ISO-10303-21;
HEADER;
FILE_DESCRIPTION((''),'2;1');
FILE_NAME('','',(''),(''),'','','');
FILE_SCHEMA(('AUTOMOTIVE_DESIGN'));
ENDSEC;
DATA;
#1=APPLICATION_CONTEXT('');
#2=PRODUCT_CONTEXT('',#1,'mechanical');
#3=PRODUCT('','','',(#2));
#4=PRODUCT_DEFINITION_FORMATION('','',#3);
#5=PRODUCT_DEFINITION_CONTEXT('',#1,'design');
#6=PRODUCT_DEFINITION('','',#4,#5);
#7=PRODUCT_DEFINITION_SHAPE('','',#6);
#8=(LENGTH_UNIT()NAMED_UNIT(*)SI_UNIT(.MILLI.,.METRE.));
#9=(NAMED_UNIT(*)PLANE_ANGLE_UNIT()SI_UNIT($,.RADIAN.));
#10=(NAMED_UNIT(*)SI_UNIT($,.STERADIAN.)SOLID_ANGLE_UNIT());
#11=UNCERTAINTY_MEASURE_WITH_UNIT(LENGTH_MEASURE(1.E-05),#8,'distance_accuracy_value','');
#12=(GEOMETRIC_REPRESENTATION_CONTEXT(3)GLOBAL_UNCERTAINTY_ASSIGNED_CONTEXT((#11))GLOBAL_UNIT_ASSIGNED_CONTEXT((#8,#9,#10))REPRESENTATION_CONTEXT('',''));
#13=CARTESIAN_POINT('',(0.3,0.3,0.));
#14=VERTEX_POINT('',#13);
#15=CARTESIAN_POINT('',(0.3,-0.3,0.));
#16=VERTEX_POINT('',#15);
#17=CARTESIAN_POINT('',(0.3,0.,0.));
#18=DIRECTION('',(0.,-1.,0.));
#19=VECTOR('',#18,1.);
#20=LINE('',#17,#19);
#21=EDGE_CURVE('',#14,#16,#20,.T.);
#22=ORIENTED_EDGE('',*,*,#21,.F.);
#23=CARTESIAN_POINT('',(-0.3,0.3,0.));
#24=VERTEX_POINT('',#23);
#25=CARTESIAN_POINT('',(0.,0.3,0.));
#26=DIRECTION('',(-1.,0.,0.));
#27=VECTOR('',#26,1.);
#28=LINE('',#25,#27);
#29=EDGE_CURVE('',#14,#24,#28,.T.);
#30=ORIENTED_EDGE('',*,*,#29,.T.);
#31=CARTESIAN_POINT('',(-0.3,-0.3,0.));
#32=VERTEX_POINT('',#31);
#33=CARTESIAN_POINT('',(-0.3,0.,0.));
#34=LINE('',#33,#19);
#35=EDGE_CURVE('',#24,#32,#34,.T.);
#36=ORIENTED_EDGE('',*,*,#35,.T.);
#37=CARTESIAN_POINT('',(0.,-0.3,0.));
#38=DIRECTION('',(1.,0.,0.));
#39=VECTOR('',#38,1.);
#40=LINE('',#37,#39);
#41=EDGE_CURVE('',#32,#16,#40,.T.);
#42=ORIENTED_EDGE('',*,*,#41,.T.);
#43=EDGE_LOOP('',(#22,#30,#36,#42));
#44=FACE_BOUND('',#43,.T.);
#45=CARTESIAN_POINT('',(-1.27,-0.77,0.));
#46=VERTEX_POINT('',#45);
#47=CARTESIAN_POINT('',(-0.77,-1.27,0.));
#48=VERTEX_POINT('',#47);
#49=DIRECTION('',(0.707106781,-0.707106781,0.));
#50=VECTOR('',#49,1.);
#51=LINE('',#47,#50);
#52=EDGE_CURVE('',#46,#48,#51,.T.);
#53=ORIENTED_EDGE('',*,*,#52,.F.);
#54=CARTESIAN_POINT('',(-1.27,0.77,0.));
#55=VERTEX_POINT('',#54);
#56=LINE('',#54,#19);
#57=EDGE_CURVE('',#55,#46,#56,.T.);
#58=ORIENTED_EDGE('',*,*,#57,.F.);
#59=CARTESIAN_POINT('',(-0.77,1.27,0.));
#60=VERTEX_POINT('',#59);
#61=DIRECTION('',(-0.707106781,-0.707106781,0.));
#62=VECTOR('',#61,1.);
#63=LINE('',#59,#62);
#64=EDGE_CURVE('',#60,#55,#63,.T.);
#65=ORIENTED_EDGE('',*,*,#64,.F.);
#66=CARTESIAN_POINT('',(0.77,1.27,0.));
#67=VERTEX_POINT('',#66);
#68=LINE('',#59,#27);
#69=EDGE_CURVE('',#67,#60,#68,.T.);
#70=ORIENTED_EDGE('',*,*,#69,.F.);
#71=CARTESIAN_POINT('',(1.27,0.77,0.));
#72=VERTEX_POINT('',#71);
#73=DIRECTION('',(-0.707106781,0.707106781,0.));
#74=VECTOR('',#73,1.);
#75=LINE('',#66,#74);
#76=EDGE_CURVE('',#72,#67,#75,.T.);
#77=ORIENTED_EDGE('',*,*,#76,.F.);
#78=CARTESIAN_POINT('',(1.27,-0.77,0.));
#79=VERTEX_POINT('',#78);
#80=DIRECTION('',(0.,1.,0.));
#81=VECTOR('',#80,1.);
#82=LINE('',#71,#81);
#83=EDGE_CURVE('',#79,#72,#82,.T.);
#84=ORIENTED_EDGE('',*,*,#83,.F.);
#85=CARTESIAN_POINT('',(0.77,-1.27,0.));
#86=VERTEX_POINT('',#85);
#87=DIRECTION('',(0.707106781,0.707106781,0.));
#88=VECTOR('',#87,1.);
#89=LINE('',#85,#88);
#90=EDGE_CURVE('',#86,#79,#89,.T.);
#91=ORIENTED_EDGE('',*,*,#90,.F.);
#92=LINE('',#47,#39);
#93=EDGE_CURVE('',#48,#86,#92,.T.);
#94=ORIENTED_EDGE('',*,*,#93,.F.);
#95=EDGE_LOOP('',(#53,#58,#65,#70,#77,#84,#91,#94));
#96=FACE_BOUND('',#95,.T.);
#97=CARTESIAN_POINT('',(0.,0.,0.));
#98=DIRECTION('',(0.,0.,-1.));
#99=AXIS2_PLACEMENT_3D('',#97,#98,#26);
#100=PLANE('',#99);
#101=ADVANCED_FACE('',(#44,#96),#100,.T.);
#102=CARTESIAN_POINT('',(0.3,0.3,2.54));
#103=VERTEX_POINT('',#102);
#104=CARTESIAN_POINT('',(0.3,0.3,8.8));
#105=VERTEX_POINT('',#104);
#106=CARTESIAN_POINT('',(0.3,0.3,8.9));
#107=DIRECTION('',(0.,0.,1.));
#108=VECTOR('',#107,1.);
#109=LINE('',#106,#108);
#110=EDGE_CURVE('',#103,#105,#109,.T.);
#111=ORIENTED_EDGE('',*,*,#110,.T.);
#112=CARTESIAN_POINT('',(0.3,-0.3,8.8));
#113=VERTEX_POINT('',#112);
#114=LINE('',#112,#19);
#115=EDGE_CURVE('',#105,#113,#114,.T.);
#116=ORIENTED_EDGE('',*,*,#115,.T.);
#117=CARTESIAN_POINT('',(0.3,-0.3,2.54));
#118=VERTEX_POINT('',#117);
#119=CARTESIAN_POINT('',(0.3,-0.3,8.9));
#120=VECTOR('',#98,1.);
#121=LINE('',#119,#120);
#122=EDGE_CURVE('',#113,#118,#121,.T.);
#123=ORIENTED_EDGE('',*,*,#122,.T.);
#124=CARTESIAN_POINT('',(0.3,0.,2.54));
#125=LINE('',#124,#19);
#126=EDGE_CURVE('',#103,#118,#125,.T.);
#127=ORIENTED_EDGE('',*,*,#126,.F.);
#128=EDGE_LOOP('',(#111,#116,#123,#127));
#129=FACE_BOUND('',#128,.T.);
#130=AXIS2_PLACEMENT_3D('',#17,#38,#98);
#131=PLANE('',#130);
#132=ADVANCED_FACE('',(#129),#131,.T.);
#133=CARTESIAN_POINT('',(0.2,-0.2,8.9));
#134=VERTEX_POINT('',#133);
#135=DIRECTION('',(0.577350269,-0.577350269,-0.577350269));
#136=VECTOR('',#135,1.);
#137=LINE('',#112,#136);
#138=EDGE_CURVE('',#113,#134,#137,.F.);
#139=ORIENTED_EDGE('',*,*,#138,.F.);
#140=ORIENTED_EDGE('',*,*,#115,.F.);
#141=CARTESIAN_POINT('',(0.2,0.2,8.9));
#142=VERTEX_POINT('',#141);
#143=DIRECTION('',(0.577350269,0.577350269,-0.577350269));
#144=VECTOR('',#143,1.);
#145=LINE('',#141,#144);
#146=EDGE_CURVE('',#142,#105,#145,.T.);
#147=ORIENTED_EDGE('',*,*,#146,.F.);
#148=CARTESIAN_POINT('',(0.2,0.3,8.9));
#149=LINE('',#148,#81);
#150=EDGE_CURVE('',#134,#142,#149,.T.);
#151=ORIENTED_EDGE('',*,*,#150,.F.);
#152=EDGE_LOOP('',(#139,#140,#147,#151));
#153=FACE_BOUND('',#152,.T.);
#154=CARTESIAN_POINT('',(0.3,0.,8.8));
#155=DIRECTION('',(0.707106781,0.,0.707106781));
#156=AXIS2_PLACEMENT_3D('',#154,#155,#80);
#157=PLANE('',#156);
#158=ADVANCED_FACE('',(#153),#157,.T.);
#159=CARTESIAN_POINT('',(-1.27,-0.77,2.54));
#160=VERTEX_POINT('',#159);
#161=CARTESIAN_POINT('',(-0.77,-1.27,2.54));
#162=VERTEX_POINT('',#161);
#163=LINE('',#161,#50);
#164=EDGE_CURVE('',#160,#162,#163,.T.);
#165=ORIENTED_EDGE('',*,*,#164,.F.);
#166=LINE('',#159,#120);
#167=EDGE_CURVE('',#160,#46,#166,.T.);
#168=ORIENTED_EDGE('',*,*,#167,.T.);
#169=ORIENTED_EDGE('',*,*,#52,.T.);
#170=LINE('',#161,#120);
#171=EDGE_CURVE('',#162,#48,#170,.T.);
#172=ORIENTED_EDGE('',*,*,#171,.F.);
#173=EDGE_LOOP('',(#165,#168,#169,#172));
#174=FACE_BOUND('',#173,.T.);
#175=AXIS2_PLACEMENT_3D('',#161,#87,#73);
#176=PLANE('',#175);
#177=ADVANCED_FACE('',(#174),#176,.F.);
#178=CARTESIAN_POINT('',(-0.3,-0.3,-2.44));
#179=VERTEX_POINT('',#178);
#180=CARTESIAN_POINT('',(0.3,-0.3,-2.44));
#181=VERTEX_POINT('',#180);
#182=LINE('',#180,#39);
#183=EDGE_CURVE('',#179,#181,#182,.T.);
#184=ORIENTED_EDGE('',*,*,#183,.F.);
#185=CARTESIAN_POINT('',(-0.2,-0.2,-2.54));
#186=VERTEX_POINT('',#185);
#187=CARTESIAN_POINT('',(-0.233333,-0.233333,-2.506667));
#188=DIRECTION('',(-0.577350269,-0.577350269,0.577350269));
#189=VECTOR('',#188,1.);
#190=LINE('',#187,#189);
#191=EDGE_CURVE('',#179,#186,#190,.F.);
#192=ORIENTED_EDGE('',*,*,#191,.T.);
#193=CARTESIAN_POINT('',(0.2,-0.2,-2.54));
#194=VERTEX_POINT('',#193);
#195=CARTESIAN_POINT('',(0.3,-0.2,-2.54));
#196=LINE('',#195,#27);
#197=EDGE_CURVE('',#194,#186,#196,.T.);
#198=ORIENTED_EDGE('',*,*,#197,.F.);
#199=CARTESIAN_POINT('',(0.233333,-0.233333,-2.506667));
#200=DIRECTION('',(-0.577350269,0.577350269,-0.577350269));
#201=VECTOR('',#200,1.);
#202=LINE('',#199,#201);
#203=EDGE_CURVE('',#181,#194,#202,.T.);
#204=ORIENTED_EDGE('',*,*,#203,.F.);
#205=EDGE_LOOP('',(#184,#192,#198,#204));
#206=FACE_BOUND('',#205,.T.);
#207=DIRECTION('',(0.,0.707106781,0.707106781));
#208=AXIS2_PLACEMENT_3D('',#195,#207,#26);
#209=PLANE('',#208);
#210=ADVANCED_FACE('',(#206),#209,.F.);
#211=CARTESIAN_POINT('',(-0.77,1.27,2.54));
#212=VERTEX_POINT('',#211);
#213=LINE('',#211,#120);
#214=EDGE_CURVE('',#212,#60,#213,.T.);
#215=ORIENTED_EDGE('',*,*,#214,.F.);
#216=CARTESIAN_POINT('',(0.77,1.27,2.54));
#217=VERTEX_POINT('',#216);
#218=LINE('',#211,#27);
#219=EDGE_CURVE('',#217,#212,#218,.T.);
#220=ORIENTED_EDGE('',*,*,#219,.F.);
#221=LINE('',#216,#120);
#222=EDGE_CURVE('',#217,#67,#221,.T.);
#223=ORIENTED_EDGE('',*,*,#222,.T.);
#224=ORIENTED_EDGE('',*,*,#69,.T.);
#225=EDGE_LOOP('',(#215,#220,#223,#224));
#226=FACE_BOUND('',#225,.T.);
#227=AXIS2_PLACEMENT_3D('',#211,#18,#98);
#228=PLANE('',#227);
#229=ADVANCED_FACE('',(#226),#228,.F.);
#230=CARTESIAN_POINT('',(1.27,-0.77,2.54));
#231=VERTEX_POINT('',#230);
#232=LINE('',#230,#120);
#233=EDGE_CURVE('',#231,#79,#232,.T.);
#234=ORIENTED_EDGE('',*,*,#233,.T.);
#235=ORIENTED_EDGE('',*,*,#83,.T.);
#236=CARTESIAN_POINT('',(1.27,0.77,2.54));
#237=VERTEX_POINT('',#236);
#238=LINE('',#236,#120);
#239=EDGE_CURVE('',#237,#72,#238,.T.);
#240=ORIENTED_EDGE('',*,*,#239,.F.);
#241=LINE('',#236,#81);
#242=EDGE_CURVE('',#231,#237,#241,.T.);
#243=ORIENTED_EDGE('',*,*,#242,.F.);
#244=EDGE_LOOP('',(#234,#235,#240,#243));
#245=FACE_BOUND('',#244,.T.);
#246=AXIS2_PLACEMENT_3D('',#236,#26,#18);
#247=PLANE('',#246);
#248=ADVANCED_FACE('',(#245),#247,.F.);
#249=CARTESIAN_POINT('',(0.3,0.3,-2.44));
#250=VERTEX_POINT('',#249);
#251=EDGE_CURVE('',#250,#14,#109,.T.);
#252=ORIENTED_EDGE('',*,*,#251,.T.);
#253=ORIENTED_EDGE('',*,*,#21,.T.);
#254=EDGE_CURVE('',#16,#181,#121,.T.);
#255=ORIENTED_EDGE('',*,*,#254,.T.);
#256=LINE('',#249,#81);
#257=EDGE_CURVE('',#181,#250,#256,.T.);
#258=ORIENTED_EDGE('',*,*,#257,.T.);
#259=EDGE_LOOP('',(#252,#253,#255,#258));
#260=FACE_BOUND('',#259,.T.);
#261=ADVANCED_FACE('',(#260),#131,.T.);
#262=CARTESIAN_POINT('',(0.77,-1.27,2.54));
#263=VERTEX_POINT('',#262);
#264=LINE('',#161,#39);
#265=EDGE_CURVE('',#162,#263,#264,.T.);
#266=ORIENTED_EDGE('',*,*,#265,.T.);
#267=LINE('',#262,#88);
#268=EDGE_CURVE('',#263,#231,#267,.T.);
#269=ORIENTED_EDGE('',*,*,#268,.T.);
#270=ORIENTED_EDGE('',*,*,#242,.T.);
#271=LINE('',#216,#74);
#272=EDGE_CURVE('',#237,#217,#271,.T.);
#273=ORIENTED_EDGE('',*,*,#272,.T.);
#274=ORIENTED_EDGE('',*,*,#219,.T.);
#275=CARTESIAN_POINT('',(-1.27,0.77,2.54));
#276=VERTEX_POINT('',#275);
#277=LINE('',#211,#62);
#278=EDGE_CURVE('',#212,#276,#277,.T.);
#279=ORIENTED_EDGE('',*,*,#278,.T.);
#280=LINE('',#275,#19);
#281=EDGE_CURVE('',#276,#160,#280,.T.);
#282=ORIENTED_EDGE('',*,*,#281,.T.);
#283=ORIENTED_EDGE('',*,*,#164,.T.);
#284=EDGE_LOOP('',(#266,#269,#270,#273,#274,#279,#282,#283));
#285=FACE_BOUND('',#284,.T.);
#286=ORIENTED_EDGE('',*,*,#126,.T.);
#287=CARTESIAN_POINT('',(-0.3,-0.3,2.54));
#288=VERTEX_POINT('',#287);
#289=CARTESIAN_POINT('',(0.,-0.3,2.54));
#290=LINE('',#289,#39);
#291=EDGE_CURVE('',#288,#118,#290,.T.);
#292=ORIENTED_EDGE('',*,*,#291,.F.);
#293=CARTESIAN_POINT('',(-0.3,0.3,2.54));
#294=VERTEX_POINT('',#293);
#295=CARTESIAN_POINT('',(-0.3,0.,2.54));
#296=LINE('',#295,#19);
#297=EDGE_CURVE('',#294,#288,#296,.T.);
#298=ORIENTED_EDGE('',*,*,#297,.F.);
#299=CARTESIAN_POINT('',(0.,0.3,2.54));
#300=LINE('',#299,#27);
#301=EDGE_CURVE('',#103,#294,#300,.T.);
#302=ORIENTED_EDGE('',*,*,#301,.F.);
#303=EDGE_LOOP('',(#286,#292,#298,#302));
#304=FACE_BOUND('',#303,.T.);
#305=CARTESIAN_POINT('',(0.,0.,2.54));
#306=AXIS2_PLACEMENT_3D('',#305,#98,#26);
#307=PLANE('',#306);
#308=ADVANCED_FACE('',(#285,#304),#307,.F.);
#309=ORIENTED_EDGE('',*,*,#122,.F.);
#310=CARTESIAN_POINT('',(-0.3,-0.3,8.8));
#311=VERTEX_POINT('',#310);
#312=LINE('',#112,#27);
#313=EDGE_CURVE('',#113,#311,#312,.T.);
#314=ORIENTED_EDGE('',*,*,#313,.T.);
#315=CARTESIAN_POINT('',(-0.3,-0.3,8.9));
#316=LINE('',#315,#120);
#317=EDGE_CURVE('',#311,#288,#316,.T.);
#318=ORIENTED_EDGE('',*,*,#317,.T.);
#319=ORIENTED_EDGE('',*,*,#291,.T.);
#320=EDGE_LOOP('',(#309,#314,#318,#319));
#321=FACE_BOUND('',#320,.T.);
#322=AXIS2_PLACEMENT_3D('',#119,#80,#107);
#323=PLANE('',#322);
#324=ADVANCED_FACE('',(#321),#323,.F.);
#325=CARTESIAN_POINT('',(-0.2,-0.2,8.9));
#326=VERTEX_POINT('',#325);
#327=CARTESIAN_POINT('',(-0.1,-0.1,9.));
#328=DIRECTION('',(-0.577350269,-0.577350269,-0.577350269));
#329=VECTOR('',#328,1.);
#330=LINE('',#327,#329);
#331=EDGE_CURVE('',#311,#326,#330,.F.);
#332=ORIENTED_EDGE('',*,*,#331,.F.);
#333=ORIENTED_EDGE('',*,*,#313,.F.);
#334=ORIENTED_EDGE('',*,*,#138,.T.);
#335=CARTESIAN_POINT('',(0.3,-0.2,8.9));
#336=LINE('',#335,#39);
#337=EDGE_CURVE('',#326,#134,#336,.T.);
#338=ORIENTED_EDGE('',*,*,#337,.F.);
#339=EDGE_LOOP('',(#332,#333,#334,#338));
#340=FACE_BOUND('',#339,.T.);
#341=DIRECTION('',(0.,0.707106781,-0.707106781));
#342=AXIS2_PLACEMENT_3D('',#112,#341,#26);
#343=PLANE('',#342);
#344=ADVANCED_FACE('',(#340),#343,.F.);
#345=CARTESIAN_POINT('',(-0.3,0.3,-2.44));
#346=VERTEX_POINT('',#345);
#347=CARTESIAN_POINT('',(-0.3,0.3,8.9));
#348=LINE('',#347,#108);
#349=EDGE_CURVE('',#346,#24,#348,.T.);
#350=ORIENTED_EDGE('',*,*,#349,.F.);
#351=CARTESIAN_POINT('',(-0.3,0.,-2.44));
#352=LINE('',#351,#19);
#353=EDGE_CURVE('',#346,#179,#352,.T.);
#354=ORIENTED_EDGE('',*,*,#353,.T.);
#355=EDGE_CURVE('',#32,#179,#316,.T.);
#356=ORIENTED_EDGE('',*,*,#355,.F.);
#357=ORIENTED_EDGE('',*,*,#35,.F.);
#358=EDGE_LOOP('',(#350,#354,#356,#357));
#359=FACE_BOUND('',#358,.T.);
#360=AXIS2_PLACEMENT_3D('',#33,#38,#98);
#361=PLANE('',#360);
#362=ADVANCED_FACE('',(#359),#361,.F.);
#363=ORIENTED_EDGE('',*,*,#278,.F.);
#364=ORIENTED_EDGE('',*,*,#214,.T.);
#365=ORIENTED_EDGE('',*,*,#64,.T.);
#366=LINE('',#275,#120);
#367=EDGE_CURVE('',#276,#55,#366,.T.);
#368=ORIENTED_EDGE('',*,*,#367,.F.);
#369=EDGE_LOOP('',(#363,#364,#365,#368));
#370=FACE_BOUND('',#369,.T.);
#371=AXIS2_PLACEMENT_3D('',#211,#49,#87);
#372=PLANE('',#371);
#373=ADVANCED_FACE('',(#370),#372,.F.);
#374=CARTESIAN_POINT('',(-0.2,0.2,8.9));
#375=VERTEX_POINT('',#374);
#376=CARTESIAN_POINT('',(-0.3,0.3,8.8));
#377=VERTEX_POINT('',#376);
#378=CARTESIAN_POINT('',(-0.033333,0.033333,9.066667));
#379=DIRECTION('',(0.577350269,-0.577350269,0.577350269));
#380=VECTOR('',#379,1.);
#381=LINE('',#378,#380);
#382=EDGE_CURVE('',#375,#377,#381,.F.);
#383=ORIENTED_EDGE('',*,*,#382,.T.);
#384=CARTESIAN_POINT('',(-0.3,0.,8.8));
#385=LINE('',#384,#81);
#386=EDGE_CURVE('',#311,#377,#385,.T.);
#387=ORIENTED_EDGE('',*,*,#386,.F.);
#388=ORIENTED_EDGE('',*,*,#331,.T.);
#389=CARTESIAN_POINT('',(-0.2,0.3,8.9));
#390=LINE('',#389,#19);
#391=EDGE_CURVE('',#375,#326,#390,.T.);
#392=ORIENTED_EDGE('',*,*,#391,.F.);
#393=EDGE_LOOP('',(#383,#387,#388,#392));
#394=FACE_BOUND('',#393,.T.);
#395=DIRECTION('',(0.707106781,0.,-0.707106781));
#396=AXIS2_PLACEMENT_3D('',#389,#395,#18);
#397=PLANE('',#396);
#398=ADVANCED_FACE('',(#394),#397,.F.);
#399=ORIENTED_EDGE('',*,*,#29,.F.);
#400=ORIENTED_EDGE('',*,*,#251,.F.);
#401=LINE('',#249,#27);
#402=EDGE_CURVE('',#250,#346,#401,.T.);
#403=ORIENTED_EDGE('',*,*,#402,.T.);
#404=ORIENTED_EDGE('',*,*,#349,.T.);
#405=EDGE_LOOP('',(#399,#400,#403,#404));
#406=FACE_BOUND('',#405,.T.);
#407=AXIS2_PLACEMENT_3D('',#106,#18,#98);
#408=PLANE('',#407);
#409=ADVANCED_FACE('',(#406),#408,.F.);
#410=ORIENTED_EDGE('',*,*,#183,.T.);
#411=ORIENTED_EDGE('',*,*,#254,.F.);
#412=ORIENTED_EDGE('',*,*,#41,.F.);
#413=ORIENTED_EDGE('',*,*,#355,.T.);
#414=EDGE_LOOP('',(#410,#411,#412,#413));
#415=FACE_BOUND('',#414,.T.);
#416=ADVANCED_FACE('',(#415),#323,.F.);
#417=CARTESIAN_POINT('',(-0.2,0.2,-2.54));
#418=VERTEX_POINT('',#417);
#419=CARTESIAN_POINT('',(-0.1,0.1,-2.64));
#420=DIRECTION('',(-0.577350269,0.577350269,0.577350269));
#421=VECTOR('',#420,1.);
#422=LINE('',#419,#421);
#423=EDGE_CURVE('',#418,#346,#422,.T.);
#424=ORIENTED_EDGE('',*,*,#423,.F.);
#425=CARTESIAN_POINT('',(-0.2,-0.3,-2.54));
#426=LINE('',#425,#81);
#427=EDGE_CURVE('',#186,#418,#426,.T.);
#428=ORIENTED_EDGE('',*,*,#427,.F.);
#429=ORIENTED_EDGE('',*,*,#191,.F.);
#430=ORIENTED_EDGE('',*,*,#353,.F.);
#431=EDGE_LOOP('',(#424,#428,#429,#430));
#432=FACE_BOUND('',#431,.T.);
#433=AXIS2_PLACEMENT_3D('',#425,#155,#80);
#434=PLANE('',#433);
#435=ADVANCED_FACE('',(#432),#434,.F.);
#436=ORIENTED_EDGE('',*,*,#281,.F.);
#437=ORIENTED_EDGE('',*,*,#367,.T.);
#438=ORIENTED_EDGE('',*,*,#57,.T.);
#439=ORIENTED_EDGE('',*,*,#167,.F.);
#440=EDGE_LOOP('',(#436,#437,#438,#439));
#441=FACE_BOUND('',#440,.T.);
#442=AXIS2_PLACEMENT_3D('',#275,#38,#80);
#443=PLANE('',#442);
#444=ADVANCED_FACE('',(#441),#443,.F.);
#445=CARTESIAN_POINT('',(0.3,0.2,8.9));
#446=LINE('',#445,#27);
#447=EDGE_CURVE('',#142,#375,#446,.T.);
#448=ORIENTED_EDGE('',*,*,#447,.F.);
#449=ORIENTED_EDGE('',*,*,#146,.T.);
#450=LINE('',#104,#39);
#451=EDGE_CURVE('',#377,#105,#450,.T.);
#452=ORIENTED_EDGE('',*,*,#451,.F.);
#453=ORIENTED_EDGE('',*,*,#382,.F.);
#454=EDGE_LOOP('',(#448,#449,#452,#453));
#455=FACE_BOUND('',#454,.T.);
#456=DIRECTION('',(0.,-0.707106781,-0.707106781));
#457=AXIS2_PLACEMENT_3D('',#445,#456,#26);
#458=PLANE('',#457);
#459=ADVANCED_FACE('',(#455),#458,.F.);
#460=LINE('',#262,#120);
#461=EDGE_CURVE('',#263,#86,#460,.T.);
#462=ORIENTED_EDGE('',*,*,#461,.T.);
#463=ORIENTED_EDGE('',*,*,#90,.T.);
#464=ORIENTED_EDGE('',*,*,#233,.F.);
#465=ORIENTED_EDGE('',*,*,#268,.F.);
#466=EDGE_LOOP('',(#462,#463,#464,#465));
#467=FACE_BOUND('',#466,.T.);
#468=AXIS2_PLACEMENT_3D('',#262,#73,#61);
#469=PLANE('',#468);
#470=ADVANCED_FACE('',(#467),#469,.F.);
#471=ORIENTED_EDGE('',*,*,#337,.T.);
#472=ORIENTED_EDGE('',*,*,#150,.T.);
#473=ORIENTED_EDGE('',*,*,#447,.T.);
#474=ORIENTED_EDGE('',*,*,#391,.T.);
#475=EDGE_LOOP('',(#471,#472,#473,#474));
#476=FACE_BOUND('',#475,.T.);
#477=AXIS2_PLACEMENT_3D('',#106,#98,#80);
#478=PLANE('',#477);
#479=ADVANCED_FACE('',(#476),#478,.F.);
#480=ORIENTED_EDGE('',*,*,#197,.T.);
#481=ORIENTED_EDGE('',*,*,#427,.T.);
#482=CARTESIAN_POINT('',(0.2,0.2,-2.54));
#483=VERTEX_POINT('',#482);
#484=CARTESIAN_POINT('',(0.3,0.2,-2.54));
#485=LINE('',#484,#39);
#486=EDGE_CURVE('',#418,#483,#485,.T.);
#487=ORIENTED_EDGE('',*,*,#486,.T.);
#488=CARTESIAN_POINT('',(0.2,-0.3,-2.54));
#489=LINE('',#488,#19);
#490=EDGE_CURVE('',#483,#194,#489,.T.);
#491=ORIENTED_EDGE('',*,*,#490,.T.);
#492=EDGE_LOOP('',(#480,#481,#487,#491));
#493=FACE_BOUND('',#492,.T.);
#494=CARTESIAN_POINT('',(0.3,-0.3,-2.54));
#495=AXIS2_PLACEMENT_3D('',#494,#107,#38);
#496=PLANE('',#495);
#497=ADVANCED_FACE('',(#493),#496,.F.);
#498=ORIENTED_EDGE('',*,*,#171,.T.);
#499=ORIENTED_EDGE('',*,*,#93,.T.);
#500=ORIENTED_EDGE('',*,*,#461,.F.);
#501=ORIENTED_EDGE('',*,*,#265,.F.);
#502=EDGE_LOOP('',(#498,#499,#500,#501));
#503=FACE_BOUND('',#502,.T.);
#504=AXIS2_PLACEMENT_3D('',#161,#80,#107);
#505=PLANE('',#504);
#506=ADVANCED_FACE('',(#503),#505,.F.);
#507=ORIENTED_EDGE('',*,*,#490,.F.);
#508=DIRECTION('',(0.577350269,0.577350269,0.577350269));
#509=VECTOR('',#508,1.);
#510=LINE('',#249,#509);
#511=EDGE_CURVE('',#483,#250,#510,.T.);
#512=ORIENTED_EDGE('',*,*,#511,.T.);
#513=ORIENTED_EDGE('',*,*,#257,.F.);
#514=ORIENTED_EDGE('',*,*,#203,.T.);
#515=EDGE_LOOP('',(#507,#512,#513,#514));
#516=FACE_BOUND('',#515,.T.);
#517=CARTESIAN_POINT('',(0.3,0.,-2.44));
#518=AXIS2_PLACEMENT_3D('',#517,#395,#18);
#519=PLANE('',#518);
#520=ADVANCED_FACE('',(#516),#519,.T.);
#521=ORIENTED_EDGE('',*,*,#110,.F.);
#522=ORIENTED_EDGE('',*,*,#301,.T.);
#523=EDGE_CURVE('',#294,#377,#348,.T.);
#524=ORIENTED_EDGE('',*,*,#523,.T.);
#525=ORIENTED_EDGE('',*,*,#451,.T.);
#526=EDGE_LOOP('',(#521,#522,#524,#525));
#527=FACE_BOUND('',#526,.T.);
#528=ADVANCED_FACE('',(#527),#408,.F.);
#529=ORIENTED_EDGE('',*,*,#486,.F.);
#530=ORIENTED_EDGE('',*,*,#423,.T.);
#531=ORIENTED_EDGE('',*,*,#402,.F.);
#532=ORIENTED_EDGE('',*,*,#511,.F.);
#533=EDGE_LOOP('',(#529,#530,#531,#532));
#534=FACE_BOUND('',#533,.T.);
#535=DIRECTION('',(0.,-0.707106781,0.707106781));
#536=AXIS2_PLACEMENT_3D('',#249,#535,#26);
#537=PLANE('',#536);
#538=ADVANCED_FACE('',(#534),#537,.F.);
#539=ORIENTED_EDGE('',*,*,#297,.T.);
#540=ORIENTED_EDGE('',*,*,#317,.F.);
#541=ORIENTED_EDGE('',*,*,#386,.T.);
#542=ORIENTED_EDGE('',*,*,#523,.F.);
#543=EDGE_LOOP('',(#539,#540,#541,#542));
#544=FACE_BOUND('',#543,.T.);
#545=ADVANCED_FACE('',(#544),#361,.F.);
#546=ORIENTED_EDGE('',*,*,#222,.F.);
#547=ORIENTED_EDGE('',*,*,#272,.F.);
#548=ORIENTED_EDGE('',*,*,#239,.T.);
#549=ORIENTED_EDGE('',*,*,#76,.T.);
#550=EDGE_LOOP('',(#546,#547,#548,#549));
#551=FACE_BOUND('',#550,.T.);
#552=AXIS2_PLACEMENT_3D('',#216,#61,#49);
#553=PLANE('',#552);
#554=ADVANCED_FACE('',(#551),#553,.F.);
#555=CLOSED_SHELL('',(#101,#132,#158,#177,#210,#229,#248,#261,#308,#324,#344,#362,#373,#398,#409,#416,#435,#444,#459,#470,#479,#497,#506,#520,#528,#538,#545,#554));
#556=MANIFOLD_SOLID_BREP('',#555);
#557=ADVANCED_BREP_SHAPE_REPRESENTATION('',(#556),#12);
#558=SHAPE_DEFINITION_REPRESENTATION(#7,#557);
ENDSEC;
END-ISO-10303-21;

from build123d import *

# Parameters (mm, degrees)
PLASTIC_DEPTH = 2.54
SKETCH2_W     = 11.44
SKETCH2_H     = 0.6
CONTACT_DEPTH = 0.3
CHAMFER1_SIZE = 0.1


with BuildPart() as part:
    # Sketch1 → Plastic (new body)
    with BuildSketch(Plane.XY):
        Polygon((-0.77, 1.27), (0.77, 1.27), (1.27, 0.77), (1.27, -0.77), (0.77, -1.27), (-0.77, -1.27), (-1.27, -0.77), (-1.27, 0.77), align=None)
    extrude(amount=PLASTIC_DEPTH)

    # Sketch2 → Contact (add, symmetric)
    with BuildSketch(Plane(origin=(0, 0, 0), x_dir=(0, 0, -1), z_dir=(1, 0, 0))):
        with Locations((-3.18, 0)):
            Rectangle(SKETCH2_W, SKETCH2_H)
    extrude(amount=CONTACT_DEPTH, both=True)

    # Chamfer1
    chamfer1_edges = [part.edges().sort_by_distance(p)[0] for p in [
        (0, -0.3, 8.9),
        (0.3, 0, 8.9),
        (-0.3, 0, -2.54),
        (0, -0.3, -2.54),
        (0, 0.3, -2.54),
        (-0.3, 0, 8.9),
        (0, 0.3, 8.9),
        (0.3, 0, -2.54),
    ]]
    chamfer(chamfer1_edges, length=CHAMFER1_SIZE)


solid = part.part
